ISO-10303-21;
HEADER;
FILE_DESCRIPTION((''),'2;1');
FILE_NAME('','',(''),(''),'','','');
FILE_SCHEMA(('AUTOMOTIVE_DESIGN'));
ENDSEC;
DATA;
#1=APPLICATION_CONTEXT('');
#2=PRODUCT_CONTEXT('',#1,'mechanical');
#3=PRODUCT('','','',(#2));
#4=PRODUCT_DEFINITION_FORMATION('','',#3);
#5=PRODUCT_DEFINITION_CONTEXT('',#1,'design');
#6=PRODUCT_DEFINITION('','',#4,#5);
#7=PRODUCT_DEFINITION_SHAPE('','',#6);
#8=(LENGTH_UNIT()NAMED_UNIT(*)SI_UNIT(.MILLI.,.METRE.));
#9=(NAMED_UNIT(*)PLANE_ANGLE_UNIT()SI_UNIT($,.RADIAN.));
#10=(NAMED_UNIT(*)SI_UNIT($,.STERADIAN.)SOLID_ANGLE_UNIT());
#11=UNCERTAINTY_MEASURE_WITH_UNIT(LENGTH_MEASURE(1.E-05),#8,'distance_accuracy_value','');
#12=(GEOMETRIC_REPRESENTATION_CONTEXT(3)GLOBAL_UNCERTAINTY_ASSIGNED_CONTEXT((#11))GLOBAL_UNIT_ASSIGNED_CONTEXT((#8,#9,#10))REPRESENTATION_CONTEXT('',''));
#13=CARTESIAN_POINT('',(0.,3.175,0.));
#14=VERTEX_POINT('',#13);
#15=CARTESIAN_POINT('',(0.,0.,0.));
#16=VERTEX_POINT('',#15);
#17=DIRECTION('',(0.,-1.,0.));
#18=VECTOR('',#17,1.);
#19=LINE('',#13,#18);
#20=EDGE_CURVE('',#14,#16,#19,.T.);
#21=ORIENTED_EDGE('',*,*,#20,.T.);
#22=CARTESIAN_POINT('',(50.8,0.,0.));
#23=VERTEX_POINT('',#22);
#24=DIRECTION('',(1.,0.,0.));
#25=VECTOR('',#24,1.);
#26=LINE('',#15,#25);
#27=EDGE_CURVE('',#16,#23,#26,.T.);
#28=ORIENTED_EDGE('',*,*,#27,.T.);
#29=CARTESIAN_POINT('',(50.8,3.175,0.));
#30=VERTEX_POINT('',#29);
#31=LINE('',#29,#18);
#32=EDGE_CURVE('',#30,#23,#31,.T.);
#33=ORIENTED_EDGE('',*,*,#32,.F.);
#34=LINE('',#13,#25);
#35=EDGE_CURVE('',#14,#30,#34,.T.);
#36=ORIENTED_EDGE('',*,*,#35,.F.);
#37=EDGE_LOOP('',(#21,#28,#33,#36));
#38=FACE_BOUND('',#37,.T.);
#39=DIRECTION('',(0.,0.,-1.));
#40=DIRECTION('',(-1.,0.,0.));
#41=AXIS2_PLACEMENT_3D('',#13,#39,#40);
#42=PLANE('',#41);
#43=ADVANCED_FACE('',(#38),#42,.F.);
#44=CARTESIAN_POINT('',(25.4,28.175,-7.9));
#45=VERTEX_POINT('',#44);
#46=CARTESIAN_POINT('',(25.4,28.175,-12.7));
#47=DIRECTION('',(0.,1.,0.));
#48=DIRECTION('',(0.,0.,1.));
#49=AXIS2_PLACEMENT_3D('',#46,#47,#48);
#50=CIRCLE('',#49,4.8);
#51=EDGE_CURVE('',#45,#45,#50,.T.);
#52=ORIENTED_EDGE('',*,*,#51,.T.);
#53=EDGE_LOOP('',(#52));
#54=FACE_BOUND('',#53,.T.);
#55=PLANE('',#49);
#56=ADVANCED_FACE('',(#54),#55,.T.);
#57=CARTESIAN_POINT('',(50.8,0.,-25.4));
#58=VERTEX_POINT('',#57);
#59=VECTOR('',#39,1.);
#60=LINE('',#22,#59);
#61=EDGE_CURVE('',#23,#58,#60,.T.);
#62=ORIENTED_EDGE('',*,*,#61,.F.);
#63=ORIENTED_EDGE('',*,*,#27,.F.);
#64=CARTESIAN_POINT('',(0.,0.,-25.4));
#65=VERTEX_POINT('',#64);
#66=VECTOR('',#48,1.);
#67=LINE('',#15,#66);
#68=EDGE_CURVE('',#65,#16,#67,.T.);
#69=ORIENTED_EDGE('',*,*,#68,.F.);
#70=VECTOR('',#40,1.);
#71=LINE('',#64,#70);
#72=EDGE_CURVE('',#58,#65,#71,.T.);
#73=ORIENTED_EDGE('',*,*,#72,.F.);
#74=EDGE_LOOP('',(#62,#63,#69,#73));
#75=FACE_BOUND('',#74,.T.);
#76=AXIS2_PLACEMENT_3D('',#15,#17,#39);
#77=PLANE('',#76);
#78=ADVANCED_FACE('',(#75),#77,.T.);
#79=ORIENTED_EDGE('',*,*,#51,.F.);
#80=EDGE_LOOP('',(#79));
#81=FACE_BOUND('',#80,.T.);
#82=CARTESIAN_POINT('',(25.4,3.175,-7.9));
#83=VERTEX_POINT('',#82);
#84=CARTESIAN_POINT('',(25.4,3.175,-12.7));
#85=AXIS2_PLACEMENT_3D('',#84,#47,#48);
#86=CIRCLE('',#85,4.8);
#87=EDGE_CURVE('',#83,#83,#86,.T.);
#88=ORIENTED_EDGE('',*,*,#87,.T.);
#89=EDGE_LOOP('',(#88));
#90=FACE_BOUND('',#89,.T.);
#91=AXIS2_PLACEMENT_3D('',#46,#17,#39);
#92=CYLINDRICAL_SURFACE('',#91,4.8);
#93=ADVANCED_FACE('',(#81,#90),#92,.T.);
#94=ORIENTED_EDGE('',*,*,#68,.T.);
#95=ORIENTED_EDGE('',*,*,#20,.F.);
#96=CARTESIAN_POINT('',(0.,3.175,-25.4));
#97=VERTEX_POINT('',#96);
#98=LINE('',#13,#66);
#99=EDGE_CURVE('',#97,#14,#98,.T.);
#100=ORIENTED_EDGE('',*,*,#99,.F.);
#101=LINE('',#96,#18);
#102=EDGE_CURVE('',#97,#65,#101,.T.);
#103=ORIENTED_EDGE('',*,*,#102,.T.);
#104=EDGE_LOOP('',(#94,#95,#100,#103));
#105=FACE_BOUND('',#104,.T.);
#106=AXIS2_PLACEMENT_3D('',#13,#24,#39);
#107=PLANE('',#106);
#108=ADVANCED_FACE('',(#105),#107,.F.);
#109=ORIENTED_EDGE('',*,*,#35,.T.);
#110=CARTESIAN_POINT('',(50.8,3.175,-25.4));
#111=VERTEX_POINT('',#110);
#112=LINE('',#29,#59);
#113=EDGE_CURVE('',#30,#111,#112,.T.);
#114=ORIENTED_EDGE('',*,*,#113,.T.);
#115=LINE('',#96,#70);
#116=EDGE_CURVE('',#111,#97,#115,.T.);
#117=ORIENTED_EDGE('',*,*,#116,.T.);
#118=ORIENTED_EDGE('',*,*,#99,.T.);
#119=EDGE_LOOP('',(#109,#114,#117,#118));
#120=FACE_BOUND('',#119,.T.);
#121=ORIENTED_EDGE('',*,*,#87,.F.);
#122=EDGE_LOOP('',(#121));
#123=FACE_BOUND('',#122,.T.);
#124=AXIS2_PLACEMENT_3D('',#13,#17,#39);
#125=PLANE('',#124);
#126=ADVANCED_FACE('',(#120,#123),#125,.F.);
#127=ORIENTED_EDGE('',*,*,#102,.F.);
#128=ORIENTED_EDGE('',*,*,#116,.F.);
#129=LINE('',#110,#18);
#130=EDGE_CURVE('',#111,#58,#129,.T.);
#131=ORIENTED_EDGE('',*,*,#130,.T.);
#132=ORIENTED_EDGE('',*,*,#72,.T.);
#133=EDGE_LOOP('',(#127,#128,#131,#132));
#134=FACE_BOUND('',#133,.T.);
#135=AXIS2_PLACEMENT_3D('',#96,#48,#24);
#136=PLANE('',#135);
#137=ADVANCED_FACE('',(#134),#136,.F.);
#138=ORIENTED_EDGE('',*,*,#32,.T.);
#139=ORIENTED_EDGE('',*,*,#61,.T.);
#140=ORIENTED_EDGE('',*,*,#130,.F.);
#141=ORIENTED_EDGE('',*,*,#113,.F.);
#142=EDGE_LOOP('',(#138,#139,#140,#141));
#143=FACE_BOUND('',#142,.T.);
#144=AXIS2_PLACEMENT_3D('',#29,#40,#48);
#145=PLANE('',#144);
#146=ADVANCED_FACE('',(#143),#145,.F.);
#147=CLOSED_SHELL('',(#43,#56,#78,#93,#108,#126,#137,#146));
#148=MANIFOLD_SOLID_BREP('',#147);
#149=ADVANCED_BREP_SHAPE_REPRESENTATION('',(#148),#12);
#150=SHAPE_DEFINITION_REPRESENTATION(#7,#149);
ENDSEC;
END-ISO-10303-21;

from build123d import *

# Parameters (mm, degrees)
SKETCH1_W           = 50.8
SKETCH1_H           = 25.4
BOSS_EXTRUDE1_DEPTH = 3.175
SKETCH2_R           = 4.8
BOSS_EXTRUDE2_DEPTH = 25


with BuildPart() as part:
    # Sketch1 → Boss-Extrude1 (new body)
    with BuildSketch(Plane(origin=(0, 0, 0), x_dir=(1, 0, 0), z_dir=(0, 1, 0))):
        with Locations((25.4, 12.7)):
            Rectangle(SKETCH1_W, SKETCH1_H)
    extrude(amount=BOSS_EXTRUDE1_DEPTH)

    # Sketch2 → Boss-Extrude2 (add)
    with BuildSketch(Plane(origin=(0, 3.175, 0), x_dir=(1, 0, 0), z_dir=(0, 1, 0))):
        with Locations(Location((25.4, 12.7, 0), (0, 0, 270))):
            Circle(SKETCH2_R)
    extrude(amount=BOSS_EXTRUDE2_DEPTH)


solid = part.part
